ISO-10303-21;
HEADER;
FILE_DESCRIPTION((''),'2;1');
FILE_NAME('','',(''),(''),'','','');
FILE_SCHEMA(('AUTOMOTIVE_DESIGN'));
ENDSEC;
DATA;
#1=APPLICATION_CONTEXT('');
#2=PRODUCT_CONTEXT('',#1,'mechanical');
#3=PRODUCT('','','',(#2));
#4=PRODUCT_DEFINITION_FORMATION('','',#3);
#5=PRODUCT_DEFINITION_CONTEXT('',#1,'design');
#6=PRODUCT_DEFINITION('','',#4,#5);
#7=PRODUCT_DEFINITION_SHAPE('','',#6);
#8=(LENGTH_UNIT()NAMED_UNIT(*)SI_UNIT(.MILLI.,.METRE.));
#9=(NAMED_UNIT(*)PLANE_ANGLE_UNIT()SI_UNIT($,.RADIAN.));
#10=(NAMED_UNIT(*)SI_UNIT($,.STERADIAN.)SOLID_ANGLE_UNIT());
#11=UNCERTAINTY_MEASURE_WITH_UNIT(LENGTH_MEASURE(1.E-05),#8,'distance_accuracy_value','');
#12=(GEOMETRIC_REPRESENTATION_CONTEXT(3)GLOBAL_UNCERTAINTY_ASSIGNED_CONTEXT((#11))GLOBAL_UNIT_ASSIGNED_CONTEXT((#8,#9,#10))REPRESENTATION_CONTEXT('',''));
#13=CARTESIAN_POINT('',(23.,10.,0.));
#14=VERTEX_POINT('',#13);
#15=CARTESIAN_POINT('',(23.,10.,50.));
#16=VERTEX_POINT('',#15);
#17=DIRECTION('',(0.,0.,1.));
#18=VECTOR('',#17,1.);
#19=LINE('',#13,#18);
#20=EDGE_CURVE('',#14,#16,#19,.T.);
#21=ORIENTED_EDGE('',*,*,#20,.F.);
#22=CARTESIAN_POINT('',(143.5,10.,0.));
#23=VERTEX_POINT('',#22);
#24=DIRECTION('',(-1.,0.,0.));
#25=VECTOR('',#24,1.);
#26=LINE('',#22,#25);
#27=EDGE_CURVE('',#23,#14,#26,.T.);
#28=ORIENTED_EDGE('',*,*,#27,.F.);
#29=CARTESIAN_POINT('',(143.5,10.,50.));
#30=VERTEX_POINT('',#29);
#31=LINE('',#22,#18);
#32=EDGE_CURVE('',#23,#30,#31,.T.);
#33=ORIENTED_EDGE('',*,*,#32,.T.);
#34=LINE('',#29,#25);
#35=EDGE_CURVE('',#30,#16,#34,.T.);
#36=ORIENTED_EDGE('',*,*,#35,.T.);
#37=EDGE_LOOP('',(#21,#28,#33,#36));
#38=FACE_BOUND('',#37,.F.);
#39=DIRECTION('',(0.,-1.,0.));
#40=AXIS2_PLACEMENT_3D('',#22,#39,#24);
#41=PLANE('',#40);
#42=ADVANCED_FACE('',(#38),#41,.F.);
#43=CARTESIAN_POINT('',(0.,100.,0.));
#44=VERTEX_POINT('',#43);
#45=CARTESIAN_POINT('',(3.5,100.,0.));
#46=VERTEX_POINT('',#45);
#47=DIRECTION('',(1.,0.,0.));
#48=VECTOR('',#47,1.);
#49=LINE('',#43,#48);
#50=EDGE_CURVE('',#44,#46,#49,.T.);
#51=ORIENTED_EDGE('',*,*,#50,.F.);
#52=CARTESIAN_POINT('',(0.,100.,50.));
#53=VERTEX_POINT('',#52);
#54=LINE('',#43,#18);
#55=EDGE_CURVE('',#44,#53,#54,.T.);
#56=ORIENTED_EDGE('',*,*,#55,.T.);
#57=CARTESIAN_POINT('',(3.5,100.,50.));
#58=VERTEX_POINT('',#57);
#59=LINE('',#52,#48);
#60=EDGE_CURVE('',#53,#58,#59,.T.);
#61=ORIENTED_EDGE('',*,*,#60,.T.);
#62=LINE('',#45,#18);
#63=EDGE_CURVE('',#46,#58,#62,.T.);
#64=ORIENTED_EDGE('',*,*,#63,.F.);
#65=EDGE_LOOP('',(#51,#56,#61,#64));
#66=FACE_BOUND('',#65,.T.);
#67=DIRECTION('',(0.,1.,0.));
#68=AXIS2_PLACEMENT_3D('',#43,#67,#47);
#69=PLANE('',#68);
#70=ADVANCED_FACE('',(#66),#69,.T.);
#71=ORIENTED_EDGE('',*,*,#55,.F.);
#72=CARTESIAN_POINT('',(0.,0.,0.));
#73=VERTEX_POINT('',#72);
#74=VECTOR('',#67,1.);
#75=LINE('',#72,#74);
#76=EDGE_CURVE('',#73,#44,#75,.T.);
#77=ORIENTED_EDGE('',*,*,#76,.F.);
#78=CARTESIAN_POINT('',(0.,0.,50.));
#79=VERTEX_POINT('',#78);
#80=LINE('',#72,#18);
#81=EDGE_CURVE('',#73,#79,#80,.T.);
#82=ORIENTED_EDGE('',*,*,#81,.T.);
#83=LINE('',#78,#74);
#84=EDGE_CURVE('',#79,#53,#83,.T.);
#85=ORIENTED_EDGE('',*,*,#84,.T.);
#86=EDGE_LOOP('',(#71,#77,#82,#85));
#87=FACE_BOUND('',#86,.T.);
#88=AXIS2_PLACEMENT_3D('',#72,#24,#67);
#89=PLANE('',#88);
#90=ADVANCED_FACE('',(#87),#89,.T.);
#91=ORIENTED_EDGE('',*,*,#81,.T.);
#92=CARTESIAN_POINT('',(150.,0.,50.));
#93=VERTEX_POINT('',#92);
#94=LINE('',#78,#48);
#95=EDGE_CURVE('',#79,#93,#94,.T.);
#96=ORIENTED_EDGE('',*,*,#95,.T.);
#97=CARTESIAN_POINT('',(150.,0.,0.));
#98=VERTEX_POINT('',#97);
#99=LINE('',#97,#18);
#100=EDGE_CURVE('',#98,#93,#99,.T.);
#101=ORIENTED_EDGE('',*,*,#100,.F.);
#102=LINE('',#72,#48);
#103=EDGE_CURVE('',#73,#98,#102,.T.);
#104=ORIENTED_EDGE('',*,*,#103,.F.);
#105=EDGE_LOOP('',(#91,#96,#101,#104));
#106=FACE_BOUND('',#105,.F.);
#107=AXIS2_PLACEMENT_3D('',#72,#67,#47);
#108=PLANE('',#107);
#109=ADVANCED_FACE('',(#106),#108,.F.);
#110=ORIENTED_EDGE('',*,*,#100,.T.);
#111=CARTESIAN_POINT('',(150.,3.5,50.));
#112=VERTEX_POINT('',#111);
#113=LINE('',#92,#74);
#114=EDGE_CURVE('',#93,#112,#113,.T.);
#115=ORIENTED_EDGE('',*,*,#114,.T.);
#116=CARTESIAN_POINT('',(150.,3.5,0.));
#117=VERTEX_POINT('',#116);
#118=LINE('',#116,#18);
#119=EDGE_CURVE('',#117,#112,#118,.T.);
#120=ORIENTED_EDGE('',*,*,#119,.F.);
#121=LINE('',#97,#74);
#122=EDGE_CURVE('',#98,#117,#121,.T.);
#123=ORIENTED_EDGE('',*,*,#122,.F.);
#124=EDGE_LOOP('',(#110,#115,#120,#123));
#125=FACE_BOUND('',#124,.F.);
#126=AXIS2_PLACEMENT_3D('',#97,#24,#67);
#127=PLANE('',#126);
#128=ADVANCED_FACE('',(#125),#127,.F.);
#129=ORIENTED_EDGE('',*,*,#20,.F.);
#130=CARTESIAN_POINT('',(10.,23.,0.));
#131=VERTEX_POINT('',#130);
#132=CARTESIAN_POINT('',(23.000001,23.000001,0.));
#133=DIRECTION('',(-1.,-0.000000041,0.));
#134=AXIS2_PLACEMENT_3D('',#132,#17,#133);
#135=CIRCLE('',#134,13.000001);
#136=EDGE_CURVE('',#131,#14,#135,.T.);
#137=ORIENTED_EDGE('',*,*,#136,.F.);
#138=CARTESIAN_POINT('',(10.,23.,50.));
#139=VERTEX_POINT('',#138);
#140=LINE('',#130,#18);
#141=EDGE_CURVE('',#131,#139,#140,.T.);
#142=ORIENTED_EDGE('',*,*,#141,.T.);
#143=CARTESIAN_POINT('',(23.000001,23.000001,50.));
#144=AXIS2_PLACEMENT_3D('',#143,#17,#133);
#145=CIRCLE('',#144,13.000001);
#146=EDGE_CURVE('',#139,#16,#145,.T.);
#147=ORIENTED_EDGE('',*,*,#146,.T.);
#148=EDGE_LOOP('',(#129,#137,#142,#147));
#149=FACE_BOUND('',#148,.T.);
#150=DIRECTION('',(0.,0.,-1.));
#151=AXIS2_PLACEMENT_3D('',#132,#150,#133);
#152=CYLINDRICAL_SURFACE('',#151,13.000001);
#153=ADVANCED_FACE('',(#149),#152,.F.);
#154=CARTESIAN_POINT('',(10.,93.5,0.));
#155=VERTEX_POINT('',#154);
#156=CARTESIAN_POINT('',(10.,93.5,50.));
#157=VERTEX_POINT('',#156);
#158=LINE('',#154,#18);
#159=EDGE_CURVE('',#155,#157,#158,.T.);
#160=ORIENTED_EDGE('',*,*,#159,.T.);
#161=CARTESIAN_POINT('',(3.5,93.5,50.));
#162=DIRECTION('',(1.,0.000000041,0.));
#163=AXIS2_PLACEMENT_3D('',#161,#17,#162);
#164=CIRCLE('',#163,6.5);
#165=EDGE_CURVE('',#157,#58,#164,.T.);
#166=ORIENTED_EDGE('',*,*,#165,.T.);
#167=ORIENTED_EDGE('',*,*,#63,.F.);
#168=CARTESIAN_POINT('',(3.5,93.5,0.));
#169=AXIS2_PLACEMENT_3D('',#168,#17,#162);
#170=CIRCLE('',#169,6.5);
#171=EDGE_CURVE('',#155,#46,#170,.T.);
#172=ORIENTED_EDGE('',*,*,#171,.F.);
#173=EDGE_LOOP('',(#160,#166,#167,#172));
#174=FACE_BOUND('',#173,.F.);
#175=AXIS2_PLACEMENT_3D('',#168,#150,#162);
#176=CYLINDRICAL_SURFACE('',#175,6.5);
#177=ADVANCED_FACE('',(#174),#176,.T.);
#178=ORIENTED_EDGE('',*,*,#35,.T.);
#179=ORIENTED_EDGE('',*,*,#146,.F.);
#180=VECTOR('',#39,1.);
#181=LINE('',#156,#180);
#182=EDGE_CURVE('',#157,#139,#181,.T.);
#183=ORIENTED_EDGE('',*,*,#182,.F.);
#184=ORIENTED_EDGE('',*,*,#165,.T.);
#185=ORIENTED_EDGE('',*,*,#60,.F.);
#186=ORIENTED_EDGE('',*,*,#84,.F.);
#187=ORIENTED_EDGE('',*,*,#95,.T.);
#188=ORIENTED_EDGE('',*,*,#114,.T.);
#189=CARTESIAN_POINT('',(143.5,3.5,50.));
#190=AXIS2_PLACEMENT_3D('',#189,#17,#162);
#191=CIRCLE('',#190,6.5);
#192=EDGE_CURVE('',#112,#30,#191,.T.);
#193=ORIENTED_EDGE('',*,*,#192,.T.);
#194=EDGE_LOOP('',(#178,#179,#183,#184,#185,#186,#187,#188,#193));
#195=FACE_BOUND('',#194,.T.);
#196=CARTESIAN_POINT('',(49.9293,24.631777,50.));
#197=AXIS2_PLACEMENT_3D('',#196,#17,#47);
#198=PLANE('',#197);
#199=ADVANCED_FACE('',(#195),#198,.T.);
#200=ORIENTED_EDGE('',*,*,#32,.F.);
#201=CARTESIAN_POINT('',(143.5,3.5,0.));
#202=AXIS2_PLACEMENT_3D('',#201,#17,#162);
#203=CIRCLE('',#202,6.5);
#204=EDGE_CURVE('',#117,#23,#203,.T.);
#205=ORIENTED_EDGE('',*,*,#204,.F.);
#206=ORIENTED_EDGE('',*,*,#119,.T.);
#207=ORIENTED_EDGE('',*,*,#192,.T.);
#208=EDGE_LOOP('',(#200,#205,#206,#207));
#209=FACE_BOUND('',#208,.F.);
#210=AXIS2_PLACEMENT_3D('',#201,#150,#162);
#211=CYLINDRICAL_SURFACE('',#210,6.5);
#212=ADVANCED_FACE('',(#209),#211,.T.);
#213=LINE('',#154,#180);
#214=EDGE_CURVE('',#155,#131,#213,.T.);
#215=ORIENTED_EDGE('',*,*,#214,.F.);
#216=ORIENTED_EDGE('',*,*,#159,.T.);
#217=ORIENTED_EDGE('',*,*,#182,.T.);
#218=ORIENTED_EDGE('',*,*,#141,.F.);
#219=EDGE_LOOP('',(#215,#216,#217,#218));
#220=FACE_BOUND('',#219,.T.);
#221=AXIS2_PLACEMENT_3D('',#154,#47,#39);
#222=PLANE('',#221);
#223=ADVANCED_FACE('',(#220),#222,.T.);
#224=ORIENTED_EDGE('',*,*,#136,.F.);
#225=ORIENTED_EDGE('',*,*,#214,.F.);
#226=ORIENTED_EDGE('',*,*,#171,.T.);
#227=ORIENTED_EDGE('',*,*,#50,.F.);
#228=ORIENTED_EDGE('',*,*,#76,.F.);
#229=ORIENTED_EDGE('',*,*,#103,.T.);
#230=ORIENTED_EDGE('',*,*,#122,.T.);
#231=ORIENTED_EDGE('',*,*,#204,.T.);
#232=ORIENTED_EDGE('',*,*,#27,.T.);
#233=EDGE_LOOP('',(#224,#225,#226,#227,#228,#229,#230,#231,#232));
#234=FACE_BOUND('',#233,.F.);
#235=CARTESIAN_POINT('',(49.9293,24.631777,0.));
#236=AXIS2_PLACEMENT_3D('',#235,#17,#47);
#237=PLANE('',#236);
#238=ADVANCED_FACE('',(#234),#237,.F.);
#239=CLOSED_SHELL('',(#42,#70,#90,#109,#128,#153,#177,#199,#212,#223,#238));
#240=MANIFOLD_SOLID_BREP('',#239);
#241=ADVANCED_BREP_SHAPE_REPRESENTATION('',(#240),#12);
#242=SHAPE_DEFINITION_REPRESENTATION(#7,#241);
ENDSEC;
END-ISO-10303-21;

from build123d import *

# Parameters (mm, degrees)
EXTRUDE_DEPTH = 50


with BuildPart() as part:
    # Sketch → Extrude (new body)
    with BuildSketch(Plane.XY):
        with BuildLine():
            Line((0, 0), (150, 0))
            Line((150, 0), (150, 3.5))
            ThreePointArc((150, 3.5), (148.096194, 8.096194), (143.5, 10))
            Line((143.5, 10), (23, 10))
            ThreePointArc((10, 23), (13.807612, 13.807612), (23, 10))
            Line((10, 93.5), (10, 23))
            ThreePointArc((10, 93.5), (8.096194, 98.096194), (3.5, 100))
            Line((0, 100), (3.5, 100))
            Line((0, 0), (0, 100))
        make_face()
    extrude(amount=EXTRUDE_DEPTH)


solid = part.part
